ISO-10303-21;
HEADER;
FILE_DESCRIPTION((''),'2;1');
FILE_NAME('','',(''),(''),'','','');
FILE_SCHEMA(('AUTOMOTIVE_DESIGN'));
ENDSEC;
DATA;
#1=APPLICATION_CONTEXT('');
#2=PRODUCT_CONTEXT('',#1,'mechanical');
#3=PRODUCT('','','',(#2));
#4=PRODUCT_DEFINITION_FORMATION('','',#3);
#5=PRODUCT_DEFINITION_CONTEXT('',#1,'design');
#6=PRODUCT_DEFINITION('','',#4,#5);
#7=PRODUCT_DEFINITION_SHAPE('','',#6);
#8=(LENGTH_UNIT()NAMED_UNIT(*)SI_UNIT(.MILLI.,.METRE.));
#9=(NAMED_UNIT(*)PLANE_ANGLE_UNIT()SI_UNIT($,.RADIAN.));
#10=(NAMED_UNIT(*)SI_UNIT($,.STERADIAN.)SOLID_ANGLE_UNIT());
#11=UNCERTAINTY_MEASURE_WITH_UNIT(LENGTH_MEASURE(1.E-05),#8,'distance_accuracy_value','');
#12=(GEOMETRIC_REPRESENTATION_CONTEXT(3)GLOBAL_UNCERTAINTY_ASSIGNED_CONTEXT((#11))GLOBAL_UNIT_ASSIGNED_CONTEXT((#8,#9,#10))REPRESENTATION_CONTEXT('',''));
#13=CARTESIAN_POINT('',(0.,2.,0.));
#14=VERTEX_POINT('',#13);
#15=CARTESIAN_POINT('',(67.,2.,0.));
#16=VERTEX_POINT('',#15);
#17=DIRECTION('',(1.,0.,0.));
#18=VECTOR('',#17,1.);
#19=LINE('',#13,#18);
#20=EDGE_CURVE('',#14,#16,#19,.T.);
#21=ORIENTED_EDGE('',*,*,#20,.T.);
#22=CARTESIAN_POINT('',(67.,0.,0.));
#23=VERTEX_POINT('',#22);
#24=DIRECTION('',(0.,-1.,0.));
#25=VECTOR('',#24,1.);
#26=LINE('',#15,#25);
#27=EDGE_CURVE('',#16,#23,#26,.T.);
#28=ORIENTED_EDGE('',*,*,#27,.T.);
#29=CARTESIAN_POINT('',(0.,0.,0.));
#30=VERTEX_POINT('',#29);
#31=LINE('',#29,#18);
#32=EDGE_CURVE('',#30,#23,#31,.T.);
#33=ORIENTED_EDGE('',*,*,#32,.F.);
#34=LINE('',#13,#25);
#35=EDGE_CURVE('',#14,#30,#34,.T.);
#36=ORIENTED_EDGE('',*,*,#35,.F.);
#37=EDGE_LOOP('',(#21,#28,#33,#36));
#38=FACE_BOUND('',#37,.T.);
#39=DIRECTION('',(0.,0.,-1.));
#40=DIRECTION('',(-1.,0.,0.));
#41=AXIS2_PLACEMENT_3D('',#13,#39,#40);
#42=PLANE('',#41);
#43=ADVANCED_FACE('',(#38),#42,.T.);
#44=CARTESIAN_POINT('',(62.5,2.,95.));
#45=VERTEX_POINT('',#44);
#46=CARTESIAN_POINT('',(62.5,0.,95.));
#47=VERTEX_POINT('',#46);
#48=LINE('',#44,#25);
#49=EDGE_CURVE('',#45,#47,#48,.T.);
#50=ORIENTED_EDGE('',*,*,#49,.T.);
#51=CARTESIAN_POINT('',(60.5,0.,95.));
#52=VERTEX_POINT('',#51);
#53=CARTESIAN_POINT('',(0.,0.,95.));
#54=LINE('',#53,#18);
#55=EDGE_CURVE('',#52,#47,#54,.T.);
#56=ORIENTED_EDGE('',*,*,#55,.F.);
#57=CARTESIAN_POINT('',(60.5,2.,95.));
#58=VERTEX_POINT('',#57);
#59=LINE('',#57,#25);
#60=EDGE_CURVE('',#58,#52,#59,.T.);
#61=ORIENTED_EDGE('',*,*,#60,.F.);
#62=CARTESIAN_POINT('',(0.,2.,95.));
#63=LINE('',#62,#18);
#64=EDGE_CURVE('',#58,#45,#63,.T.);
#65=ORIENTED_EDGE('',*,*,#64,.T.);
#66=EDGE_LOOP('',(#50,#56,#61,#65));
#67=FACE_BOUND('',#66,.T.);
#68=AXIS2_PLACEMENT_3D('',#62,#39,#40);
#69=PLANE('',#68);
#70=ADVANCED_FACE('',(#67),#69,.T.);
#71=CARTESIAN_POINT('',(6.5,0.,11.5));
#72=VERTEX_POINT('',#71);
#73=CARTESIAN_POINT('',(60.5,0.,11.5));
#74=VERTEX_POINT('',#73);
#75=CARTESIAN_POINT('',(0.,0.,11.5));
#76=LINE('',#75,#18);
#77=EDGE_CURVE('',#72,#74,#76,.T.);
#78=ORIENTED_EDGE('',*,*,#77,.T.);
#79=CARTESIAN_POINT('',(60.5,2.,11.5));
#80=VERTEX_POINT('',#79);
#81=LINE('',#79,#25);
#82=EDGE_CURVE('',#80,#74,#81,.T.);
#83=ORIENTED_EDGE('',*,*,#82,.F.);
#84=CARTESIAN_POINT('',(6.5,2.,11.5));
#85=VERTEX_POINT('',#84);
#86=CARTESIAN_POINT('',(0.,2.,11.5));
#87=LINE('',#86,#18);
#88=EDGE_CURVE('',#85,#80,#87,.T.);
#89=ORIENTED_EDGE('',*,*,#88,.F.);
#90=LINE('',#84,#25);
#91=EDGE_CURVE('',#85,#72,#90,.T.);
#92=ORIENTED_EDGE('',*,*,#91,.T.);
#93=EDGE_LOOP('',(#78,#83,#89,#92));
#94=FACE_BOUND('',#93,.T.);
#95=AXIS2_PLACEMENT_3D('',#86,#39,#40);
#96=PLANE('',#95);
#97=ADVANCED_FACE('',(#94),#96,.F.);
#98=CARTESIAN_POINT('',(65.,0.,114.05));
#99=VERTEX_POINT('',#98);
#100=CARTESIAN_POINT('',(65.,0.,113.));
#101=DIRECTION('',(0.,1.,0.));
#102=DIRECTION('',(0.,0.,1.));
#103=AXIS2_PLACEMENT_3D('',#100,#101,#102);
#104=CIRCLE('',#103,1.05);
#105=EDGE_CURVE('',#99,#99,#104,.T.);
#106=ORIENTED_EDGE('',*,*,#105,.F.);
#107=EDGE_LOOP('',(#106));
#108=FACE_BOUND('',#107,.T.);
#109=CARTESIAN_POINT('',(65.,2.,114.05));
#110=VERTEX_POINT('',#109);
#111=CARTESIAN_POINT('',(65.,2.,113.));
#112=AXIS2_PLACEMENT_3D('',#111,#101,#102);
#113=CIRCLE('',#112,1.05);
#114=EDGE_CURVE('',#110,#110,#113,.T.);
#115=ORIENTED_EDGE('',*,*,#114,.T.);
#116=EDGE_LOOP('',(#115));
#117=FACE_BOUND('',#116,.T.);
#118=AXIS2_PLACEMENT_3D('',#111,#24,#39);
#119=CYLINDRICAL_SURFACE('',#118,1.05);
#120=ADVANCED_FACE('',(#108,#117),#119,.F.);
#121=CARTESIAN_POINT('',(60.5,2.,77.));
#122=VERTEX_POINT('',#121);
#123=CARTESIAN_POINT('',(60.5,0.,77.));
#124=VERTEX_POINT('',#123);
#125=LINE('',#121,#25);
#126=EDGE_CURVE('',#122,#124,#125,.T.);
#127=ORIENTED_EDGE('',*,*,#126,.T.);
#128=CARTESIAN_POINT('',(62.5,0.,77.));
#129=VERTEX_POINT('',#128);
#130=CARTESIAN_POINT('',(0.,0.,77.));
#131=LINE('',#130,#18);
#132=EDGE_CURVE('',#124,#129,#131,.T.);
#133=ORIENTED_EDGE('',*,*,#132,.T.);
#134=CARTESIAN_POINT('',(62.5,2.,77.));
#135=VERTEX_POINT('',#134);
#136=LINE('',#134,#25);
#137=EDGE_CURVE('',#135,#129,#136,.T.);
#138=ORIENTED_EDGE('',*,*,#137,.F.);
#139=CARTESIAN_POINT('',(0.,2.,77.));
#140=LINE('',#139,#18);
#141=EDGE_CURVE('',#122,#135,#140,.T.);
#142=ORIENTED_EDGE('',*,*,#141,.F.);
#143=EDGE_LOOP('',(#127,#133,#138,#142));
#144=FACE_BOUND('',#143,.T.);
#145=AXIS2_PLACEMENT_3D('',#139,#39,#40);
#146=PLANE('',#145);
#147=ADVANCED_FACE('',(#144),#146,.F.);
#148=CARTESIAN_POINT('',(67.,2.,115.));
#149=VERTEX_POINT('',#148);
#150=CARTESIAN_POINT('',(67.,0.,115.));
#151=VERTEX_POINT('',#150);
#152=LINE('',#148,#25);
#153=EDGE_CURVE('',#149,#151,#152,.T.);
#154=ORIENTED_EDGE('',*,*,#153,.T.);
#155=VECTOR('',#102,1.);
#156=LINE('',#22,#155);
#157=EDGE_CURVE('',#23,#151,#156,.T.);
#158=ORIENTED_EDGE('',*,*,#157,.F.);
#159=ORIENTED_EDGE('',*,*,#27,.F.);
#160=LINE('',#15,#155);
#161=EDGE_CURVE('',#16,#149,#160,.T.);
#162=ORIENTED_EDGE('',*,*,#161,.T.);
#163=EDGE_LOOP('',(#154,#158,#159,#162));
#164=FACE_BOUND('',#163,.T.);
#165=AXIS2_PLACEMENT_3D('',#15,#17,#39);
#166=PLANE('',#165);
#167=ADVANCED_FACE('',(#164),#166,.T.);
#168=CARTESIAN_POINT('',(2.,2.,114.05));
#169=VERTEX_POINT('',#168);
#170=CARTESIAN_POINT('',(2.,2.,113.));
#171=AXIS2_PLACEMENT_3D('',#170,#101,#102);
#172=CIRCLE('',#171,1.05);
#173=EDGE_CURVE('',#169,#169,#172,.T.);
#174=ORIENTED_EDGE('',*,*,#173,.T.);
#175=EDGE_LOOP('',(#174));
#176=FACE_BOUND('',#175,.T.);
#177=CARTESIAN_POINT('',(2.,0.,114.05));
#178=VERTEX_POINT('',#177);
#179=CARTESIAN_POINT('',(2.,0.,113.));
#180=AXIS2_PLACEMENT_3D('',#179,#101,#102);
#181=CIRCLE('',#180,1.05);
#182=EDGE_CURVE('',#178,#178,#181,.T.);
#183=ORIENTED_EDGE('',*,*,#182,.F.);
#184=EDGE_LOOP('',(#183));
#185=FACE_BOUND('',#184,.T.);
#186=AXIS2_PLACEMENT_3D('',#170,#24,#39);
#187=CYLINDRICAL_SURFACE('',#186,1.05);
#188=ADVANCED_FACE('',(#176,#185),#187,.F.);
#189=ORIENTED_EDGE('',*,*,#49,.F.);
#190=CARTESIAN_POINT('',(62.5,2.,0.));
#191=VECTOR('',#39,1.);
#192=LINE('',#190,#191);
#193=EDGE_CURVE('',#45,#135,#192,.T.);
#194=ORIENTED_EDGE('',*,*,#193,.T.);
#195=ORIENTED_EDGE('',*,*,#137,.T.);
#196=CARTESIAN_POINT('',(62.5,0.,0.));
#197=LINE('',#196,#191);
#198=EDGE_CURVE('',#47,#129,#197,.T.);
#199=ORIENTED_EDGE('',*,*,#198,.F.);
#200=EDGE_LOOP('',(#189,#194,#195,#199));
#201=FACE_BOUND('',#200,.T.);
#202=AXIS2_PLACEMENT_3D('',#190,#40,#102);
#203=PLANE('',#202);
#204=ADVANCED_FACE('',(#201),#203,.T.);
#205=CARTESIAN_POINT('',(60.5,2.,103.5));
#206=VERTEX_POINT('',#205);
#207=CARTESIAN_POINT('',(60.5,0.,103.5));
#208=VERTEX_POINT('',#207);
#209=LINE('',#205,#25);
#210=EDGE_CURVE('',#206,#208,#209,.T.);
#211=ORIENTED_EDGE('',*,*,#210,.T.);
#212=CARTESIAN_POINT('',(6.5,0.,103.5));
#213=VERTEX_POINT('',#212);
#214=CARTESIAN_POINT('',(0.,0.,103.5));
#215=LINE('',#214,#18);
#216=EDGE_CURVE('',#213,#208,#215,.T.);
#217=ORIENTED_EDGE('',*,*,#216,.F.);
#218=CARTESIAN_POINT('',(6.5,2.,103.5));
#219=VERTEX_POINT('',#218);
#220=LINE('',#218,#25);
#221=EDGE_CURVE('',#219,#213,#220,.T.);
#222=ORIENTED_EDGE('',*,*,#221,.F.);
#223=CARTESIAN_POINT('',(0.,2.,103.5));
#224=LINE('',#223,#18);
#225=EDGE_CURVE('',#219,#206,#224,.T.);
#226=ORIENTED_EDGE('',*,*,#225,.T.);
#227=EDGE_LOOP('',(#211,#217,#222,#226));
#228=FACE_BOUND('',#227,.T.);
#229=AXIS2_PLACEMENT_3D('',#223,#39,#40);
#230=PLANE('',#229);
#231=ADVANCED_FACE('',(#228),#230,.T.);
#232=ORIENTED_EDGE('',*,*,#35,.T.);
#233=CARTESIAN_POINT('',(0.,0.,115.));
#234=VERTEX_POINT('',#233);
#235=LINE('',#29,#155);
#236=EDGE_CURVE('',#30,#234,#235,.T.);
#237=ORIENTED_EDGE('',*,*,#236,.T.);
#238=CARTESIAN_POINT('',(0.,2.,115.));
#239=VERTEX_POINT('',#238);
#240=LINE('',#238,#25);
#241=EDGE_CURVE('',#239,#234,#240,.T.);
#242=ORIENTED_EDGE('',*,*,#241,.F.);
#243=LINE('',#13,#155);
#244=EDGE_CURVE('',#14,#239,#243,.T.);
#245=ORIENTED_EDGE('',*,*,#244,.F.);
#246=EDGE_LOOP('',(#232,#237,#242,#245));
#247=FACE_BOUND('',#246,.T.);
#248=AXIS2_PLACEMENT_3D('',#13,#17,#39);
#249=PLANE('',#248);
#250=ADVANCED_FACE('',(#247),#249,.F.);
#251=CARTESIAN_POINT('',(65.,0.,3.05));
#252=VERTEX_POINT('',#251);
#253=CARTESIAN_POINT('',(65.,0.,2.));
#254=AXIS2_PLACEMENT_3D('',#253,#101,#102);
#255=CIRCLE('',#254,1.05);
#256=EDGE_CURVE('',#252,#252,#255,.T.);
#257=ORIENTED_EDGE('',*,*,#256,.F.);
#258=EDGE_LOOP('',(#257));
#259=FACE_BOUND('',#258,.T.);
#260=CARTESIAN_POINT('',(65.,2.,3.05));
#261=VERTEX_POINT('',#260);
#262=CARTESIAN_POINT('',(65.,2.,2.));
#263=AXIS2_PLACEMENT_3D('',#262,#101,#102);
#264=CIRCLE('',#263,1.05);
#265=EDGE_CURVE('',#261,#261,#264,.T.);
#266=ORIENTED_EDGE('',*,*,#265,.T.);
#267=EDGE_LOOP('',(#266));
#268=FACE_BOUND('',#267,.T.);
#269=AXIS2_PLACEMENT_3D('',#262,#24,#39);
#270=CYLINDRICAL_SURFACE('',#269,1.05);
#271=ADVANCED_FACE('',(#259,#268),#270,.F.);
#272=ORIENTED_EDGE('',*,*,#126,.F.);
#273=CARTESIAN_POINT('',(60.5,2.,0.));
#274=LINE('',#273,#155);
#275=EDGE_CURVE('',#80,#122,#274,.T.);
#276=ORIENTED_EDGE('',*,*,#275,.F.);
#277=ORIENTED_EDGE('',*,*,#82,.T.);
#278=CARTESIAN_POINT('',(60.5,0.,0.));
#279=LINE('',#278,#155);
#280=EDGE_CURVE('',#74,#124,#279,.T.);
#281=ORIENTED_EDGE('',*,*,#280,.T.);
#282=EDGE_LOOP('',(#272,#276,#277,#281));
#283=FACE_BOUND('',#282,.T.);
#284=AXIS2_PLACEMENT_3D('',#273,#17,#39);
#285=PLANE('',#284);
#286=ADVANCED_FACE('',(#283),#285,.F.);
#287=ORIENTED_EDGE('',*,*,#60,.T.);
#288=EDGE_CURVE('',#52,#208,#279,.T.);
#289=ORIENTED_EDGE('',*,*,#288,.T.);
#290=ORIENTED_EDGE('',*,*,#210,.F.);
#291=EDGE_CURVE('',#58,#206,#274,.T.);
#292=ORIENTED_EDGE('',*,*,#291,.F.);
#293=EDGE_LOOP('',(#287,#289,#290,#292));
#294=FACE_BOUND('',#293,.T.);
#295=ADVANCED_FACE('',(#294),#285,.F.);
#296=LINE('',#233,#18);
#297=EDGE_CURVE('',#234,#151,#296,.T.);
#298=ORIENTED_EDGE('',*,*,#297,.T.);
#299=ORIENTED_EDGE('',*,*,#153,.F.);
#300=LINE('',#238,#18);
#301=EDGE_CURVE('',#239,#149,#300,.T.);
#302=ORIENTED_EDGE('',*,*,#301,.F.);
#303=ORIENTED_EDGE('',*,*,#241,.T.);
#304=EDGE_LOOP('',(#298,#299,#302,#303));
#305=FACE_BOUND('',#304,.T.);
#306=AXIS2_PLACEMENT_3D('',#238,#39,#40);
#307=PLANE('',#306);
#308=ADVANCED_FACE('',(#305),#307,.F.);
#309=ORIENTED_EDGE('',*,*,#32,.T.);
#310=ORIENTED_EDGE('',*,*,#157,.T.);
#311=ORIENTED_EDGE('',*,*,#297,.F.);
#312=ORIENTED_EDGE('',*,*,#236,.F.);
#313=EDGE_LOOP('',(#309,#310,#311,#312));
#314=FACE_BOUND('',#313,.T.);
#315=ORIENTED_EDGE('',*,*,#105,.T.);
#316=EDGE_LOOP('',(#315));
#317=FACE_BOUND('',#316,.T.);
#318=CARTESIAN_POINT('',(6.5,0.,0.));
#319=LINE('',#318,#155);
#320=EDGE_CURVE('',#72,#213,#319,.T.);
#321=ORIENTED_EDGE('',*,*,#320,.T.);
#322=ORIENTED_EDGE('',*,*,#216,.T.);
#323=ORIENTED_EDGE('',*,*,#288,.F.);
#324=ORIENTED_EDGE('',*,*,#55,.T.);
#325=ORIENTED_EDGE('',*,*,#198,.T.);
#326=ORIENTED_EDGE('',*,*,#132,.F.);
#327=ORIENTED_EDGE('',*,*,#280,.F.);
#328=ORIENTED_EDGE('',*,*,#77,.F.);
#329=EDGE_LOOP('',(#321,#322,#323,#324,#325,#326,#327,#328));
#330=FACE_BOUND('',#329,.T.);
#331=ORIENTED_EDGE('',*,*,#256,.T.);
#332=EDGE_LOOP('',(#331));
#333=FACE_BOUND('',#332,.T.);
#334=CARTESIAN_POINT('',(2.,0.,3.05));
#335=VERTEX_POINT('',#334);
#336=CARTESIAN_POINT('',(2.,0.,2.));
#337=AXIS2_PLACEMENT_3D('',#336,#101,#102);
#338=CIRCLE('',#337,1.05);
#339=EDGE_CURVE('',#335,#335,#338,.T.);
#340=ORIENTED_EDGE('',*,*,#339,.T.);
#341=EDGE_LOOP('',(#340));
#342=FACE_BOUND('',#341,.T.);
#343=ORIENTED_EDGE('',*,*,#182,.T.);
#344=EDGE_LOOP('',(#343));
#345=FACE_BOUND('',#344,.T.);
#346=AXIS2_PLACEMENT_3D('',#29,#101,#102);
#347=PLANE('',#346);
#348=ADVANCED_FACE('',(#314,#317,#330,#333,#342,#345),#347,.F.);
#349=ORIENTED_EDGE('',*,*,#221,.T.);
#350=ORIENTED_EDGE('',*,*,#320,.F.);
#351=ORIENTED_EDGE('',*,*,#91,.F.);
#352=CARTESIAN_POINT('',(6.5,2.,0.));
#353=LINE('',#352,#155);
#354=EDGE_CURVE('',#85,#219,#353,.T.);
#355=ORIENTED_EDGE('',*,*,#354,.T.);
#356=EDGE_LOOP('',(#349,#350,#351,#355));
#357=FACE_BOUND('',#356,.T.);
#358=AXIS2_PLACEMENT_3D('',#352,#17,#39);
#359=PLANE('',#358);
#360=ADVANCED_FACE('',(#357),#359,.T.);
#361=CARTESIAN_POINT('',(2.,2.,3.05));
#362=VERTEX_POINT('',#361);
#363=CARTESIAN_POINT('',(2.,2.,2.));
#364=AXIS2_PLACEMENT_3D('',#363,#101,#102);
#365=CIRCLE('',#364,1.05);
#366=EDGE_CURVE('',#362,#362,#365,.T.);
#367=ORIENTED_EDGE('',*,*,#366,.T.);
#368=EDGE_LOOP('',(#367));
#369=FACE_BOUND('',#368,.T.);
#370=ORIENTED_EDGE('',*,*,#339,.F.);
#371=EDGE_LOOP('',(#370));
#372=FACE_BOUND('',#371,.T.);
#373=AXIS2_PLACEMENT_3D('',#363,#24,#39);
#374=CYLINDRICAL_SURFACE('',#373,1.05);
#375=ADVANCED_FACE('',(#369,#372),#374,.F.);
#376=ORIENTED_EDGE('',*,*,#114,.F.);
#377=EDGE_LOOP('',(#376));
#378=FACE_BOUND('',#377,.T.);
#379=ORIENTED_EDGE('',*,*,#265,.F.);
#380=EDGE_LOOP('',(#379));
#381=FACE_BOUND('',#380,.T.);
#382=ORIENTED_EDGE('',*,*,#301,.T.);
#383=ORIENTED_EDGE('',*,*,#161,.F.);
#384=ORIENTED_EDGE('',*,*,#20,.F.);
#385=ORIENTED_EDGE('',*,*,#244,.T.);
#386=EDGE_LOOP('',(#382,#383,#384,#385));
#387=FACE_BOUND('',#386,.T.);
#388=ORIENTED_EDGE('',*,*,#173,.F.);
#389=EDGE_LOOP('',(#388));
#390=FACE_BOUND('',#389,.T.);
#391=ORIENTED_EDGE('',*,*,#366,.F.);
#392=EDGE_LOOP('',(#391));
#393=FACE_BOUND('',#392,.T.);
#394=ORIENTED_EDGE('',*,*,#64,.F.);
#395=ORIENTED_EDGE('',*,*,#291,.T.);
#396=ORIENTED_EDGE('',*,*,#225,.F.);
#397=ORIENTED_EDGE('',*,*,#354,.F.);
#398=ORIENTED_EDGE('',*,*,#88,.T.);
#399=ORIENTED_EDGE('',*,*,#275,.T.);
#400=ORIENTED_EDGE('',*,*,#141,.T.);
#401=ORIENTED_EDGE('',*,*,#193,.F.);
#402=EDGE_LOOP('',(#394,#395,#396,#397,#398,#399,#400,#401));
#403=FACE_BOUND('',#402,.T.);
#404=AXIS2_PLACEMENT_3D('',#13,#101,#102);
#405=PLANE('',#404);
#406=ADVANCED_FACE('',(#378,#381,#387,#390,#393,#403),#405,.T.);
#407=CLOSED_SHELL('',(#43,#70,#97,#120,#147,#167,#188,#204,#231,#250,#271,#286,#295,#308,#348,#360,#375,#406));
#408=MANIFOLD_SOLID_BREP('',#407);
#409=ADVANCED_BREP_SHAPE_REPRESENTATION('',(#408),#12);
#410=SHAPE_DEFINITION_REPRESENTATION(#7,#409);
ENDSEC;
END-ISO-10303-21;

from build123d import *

# Parameters (mm, degrees)
SKETCH_1_W      = 67
SKETCH_1_H      = 115
SKETCH_1_R      = 1.05
EXTRUDE_1_DEPTH = 2


with BuildPart() as part:
    # 草图1 → 凸台-拉伸1 (new body)
    with BuildSketch(Plane(origin=(0, 0, 0), x_dir=(1, 0, 0), z_dir=(0, 1, 0))):
        with Locations((33.5, -57.5)):
            Rectangle(SKETCH_1_W, SKETCH_1_H)
        with Locations(Location((2, -113, 0), (0, 0, 270))):
            Circle(SKETCH_1_R, mode=Mode.SUBTRACT)
        with Locations(Location((65, -113, 0), (0, 0, 270))):
            Circle(SKETCH_1_R, mode=Mode.SUBTRACT)
        Polygon((6.5, -103.5), (6.5, -11.5), (60.5, -11.5), (60.5, -77), (62.5, -77), (62.5, -95), (60.5, -95), (60.5, -103.5), align=None, mode=Mode.SUBTRACT)
        with Locations(Location((2, -2, 0), (0, 0, 270))):
            Circle(SKETCH_1_R, mode=Mode.SUBTRACT)
        with Locations(Location((65, -2, 0), (0, 0, 270))):
            Circle(SKETCH_1_R, mode=Mode.SUBTRACT)
    extrude(amount=EXTRUDE_1_DEPTH)


solid = part.part
